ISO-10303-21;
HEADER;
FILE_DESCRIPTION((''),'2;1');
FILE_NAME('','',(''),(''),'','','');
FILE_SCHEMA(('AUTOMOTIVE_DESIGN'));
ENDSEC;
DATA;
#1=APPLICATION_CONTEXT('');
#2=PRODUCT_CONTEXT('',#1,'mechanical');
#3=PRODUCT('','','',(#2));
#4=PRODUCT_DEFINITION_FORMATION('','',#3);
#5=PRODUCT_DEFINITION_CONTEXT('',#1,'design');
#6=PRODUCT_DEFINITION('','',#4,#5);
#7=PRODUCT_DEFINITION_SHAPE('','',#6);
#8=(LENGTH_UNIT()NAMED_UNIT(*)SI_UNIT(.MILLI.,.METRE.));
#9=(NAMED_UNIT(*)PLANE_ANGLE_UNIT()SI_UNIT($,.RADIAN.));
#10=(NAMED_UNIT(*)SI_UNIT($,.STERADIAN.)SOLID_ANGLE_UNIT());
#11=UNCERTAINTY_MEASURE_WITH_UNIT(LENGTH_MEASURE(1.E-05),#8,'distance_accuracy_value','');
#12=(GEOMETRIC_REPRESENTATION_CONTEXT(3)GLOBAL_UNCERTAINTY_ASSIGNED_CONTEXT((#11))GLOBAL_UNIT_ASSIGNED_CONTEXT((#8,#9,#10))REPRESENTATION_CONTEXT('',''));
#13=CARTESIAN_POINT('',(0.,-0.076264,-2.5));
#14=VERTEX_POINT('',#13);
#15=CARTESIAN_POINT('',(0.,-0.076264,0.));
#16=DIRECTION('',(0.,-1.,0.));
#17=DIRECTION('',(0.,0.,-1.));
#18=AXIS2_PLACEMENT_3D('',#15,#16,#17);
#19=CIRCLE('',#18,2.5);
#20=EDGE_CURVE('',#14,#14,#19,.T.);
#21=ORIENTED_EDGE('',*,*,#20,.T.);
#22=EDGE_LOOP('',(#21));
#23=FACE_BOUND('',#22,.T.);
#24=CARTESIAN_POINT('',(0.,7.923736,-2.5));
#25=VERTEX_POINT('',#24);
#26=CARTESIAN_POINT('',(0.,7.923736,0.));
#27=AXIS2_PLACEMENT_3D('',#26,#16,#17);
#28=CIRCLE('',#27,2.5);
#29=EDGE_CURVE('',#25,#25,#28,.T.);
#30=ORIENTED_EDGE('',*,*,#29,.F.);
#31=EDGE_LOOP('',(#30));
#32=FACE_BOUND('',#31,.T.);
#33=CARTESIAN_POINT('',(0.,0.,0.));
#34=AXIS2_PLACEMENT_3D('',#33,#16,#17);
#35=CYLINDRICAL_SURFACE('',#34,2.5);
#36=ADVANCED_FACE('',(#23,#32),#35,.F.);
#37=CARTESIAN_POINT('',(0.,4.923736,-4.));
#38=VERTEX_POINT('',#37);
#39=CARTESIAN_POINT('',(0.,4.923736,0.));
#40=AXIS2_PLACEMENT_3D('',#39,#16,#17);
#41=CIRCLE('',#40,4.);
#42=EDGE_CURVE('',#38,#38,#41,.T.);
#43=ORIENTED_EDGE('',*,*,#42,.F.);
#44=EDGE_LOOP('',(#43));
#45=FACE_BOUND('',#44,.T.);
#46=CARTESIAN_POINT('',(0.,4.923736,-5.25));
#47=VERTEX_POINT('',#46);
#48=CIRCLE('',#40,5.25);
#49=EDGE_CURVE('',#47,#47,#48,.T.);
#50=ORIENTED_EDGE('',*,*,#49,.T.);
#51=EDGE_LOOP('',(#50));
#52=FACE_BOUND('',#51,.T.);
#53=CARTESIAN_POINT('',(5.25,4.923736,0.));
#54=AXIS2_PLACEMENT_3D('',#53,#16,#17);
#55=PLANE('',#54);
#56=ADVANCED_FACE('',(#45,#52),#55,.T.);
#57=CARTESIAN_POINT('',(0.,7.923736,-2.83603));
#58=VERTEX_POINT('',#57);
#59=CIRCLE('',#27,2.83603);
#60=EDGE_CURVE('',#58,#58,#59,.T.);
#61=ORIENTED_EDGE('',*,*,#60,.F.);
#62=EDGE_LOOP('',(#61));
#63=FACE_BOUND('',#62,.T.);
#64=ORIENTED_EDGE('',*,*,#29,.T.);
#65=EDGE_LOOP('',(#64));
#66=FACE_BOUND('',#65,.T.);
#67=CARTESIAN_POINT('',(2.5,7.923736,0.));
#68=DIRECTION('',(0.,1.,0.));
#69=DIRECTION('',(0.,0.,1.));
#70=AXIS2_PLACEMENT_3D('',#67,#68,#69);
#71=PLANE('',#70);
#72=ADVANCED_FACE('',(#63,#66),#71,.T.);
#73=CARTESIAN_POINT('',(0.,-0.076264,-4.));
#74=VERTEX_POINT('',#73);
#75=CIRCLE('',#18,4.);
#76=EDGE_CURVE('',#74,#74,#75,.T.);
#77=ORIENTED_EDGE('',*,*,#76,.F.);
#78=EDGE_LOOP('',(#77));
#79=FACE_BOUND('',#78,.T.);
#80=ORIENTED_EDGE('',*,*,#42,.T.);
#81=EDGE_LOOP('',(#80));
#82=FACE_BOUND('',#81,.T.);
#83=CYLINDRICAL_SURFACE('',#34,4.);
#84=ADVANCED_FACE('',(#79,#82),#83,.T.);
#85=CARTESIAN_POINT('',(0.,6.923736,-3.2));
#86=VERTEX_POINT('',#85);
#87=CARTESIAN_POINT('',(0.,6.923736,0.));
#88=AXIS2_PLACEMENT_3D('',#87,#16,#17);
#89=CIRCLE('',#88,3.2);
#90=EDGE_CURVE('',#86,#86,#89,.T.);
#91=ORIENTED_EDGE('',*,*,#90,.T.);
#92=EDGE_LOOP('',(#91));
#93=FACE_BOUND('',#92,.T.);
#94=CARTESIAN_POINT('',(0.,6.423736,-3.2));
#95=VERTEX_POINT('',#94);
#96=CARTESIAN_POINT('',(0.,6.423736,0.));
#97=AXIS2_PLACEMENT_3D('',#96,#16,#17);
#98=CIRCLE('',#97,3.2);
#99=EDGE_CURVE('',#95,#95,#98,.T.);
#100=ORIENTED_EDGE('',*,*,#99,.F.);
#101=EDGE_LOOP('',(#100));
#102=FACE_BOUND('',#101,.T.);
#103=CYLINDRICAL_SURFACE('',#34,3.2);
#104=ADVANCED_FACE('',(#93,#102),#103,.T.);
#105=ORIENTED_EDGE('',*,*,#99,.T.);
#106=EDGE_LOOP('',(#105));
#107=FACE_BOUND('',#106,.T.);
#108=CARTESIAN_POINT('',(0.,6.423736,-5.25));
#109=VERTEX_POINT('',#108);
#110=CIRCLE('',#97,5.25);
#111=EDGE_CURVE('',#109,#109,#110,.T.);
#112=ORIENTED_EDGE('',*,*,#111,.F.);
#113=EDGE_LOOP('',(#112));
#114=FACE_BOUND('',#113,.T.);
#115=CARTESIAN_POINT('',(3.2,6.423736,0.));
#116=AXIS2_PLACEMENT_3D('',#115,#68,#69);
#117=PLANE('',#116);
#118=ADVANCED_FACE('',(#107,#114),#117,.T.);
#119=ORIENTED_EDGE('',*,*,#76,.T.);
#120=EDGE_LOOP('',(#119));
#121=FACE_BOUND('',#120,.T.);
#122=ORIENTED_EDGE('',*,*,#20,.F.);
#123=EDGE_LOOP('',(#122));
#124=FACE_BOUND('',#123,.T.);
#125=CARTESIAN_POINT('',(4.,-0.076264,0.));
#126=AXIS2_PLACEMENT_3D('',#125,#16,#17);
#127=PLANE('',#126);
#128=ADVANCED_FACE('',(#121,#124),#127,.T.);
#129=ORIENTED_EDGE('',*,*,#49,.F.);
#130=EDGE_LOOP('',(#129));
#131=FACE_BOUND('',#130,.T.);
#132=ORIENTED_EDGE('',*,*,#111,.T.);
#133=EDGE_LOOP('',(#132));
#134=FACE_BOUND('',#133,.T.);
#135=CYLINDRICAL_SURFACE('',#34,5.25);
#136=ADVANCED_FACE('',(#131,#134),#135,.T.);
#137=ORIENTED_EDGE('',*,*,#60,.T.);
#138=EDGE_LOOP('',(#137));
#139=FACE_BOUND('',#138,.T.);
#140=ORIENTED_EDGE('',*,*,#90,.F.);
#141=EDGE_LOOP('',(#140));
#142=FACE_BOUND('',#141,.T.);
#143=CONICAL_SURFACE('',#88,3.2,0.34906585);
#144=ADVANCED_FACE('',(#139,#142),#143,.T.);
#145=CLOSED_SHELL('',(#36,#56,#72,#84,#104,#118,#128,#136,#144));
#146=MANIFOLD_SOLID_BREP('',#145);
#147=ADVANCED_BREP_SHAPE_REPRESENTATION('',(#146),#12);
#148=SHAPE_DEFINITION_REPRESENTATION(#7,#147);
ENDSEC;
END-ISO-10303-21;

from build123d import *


with BuildPart() as part:
    # Sketch1 → Revolve1 (revolve)
    with BuildSketch(Plane.XY, mode=Mode.PRIVATE) as revolve1_sk:
        Polygon((2.5, -0.076264179), (2.5, 6.423735821), (2.5, 7.923735821), (2.836029766, 7.923735821), (3.2, 6.923735821), (3.2, 6.423735821), (5.25, 6.423735821), (5.25, 4.923735821), (4, 4.923735821), (4, -0.076264179), align=None)
    revolve(revolve1_sk.sketch.rotate(Axis((0, 0, 0), (0, 1, 0)), 90), axis=Axis((0, 0, 0), (0, 1, 0)))


solid = part.part
